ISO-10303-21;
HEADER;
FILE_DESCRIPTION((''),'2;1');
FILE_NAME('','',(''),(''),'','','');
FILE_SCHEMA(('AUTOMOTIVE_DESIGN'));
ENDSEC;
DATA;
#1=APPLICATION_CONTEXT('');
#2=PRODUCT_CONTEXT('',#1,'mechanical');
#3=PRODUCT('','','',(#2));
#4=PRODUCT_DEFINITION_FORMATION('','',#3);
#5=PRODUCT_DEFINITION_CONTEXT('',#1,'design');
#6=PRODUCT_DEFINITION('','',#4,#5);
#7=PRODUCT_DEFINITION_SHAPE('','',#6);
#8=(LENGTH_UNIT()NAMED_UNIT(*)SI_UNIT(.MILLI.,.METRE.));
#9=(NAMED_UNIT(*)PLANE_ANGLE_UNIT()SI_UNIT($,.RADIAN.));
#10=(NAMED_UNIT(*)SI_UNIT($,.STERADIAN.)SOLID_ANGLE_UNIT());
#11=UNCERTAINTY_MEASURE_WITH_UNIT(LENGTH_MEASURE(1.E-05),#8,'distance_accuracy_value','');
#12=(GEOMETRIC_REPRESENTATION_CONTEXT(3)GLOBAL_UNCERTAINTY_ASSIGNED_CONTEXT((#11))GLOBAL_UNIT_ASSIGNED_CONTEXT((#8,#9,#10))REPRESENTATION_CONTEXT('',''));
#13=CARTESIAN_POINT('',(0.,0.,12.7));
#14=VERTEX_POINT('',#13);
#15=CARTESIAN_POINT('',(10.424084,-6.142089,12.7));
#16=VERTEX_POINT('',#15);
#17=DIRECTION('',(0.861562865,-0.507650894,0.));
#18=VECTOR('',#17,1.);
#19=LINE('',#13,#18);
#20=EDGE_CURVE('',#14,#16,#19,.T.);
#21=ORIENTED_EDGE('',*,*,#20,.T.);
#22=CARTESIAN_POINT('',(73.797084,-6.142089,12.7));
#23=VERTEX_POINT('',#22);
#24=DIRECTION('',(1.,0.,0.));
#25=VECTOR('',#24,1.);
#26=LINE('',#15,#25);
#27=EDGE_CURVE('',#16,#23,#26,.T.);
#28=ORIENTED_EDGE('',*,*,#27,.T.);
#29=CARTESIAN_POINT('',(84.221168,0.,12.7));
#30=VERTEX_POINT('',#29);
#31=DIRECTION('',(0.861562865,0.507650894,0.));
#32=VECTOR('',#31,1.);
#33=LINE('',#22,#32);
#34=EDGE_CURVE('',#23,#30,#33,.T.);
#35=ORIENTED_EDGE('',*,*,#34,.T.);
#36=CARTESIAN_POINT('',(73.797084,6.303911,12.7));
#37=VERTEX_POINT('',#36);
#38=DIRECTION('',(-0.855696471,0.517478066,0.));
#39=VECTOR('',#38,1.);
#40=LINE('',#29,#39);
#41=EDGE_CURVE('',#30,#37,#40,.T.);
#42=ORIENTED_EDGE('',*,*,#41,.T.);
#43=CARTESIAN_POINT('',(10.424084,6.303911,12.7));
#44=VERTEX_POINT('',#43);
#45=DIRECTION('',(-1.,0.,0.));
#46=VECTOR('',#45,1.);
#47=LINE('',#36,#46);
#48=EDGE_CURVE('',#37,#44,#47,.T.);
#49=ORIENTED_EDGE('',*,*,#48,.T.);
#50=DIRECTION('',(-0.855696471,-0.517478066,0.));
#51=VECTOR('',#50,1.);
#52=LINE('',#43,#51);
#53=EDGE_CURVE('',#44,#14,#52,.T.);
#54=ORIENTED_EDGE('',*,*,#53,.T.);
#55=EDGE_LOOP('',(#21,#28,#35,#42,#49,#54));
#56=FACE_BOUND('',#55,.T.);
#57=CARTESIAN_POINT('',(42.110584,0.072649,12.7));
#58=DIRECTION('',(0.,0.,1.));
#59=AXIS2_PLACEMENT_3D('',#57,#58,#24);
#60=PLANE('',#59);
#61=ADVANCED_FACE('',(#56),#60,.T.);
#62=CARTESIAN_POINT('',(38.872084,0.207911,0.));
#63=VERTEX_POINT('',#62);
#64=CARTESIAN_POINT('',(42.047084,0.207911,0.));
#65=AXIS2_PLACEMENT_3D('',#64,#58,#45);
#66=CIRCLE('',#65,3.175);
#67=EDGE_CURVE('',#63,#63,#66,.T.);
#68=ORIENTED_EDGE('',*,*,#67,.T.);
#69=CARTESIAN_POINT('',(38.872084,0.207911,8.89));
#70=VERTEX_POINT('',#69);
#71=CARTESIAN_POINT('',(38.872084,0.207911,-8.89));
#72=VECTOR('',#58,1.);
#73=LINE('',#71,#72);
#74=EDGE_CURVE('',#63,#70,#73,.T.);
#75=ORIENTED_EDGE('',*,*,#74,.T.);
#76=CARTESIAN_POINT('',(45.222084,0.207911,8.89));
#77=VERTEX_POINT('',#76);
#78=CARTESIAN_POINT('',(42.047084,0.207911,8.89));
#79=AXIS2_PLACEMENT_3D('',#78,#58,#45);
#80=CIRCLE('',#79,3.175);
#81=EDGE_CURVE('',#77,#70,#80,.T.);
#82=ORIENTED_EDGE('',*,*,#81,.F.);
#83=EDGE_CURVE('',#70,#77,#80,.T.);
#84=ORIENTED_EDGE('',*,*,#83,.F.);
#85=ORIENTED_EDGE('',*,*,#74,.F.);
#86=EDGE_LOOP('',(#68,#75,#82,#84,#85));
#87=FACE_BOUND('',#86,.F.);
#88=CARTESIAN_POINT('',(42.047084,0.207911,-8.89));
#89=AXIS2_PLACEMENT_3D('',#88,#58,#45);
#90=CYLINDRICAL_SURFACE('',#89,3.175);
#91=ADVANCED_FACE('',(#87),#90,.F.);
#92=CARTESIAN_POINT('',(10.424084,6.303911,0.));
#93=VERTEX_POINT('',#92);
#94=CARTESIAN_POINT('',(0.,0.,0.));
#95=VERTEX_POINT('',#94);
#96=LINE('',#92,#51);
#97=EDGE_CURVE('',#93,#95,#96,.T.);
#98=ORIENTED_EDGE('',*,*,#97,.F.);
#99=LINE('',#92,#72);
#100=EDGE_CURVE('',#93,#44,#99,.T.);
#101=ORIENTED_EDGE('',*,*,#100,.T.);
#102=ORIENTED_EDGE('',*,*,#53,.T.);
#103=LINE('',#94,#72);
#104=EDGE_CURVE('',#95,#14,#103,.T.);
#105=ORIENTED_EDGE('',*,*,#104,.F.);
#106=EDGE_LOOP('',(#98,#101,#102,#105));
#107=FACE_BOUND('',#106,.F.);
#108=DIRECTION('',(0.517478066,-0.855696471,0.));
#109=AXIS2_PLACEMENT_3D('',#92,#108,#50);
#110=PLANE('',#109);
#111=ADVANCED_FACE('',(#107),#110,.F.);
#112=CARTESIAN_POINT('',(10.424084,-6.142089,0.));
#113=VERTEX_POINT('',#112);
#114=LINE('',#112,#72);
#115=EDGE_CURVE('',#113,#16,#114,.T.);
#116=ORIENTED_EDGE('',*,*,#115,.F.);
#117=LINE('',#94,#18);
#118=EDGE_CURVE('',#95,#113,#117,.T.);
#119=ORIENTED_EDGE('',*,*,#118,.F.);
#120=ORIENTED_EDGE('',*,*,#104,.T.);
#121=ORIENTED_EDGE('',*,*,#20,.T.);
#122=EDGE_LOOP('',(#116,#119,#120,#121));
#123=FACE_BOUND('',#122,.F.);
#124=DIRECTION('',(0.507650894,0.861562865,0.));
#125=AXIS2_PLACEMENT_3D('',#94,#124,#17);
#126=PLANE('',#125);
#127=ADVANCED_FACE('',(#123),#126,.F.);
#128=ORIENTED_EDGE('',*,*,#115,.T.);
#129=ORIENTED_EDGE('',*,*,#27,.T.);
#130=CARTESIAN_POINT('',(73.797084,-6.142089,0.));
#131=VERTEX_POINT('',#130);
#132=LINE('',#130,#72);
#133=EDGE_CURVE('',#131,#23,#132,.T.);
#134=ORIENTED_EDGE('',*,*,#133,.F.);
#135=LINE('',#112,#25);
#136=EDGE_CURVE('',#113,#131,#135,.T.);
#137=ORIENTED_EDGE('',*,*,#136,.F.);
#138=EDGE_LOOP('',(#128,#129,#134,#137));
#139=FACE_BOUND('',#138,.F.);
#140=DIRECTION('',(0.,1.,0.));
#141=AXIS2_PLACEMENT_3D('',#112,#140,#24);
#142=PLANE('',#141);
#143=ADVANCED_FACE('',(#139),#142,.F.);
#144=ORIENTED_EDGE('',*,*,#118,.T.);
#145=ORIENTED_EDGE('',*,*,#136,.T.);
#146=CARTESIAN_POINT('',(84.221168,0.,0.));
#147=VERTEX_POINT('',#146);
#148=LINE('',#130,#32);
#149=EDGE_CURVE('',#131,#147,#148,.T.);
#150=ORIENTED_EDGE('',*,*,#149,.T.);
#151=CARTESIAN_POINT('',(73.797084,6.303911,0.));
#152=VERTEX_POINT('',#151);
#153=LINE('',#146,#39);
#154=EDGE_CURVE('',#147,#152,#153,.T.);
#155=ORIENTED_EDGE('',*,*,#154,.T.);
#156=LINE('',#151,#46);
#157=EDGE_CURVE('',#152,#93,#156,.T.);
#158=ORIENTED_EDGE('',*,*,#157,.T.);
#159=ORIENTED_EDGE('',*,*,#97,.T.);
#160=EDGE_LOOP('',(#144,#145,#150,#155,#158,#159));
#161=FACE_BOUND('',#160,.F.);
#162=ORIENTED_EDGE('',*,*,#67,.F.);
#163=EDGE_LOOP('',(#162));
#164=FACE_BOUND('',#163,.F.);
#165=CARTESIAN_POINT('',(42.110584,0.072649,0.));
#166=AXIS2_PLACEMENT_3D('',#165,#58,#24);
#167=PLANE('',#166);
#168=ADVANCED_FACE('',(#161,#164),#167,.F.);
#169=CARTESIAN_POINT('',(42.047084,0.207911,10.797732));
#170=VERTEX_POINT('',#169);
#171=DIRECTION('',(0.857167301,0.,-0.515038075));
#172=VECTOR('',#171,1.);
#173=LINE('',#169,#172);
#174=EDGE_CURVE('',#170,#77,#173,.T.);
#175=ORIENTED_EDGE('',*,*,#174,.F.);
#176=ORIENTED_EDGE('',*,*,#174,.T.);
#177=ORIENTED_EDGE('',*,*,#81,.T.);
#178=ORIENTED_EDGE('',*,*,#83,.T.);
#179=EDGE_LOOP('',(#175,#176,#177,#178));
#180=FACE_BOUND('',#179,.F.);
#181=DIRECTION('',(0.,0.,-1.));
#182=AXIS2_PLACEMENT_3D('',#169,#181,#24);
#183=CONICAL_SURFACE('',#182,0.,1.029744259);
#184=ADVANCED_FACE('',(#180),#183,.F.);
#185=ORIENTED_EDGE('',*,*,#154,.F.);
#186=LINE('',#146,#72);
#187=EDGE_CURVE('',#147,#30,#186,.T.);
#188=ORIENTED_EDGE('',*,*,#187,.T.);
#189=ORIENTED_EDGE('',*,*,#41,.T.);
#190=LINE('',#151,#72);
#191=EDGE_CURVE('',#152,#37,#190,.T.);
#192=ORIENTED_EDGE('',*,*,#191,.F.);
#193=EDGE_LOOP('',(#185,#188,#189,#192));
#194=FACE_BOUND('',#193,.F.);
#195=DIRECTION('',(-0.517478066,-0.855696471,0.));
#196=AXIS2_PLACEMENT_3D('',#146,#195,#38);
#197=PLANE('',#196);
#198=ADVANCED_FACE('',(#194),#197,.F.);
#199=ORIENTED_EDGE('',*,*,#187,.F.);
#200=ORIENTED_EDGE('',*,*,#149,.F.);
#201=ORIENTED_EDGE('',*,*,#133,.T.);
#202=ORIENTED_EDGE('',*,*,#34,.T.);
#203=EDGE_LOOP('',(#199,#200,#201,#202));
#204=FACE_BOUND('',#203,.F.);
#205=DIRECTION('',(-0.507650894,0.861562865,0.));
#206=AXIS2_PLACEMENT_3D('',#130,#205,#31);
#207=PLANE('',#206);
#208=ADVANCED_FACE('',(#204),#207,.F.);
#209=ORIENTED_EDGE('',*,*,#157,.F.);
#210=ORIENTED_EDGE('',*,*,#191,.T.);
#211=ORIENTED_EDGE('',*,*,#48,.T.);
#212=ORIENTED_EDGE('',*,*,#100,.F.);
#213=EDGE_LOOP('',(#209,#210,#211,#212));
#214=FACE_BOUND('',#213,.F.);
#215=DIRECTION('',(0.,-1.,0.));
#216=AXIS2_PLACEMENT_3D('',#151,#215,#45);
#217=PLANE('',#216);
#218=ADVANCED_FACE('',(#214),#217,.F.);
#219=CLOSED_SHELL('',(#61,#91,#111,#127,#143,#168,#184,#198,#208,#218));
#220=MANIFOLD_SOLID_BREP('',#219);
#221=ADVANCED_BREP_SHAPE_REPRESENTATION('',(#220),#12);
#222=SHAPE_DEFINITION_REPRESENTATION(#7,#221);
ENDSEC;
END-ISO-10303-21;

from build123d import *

# Parameters (mm, degrees)
F1_DEPTH = 12.7
F3_D     = 6.35
F3_DEPTH = 8.89
F3_TIP   = 1.9077324654


with BuildPart() as f1:
    # F0 (on Top) → F1 (new body)
    with BuildSketch(Plane.XY):
        Polygon((10.4240838, 6.3039113859), (0, 0), (10.4240838, -6.1420886141), (73.7970838, -6.1420886141), (84.2211676, 0), (73.7970838, 6.3039113859), align=None)
    extrude(amount=F1_DEPTH)

    # F3
    with Locations(Plane(origin=(0, 0, 0), x_dir=(1, 0, 0), z_dir=(0, 0, -1))):
        with Locations((42.0470838, -0.2079113859)):
            Hole(F3_D / 2, depth=F3_DEPTH)
            with Locations((0, 0, -(F3_DEPTH + F3_TIP / 2))):  # 118° drill point
                Cone(0, F3_D / 2, F3_TIP, mode=Mode.SUBTRACT)


solid = f1.part
